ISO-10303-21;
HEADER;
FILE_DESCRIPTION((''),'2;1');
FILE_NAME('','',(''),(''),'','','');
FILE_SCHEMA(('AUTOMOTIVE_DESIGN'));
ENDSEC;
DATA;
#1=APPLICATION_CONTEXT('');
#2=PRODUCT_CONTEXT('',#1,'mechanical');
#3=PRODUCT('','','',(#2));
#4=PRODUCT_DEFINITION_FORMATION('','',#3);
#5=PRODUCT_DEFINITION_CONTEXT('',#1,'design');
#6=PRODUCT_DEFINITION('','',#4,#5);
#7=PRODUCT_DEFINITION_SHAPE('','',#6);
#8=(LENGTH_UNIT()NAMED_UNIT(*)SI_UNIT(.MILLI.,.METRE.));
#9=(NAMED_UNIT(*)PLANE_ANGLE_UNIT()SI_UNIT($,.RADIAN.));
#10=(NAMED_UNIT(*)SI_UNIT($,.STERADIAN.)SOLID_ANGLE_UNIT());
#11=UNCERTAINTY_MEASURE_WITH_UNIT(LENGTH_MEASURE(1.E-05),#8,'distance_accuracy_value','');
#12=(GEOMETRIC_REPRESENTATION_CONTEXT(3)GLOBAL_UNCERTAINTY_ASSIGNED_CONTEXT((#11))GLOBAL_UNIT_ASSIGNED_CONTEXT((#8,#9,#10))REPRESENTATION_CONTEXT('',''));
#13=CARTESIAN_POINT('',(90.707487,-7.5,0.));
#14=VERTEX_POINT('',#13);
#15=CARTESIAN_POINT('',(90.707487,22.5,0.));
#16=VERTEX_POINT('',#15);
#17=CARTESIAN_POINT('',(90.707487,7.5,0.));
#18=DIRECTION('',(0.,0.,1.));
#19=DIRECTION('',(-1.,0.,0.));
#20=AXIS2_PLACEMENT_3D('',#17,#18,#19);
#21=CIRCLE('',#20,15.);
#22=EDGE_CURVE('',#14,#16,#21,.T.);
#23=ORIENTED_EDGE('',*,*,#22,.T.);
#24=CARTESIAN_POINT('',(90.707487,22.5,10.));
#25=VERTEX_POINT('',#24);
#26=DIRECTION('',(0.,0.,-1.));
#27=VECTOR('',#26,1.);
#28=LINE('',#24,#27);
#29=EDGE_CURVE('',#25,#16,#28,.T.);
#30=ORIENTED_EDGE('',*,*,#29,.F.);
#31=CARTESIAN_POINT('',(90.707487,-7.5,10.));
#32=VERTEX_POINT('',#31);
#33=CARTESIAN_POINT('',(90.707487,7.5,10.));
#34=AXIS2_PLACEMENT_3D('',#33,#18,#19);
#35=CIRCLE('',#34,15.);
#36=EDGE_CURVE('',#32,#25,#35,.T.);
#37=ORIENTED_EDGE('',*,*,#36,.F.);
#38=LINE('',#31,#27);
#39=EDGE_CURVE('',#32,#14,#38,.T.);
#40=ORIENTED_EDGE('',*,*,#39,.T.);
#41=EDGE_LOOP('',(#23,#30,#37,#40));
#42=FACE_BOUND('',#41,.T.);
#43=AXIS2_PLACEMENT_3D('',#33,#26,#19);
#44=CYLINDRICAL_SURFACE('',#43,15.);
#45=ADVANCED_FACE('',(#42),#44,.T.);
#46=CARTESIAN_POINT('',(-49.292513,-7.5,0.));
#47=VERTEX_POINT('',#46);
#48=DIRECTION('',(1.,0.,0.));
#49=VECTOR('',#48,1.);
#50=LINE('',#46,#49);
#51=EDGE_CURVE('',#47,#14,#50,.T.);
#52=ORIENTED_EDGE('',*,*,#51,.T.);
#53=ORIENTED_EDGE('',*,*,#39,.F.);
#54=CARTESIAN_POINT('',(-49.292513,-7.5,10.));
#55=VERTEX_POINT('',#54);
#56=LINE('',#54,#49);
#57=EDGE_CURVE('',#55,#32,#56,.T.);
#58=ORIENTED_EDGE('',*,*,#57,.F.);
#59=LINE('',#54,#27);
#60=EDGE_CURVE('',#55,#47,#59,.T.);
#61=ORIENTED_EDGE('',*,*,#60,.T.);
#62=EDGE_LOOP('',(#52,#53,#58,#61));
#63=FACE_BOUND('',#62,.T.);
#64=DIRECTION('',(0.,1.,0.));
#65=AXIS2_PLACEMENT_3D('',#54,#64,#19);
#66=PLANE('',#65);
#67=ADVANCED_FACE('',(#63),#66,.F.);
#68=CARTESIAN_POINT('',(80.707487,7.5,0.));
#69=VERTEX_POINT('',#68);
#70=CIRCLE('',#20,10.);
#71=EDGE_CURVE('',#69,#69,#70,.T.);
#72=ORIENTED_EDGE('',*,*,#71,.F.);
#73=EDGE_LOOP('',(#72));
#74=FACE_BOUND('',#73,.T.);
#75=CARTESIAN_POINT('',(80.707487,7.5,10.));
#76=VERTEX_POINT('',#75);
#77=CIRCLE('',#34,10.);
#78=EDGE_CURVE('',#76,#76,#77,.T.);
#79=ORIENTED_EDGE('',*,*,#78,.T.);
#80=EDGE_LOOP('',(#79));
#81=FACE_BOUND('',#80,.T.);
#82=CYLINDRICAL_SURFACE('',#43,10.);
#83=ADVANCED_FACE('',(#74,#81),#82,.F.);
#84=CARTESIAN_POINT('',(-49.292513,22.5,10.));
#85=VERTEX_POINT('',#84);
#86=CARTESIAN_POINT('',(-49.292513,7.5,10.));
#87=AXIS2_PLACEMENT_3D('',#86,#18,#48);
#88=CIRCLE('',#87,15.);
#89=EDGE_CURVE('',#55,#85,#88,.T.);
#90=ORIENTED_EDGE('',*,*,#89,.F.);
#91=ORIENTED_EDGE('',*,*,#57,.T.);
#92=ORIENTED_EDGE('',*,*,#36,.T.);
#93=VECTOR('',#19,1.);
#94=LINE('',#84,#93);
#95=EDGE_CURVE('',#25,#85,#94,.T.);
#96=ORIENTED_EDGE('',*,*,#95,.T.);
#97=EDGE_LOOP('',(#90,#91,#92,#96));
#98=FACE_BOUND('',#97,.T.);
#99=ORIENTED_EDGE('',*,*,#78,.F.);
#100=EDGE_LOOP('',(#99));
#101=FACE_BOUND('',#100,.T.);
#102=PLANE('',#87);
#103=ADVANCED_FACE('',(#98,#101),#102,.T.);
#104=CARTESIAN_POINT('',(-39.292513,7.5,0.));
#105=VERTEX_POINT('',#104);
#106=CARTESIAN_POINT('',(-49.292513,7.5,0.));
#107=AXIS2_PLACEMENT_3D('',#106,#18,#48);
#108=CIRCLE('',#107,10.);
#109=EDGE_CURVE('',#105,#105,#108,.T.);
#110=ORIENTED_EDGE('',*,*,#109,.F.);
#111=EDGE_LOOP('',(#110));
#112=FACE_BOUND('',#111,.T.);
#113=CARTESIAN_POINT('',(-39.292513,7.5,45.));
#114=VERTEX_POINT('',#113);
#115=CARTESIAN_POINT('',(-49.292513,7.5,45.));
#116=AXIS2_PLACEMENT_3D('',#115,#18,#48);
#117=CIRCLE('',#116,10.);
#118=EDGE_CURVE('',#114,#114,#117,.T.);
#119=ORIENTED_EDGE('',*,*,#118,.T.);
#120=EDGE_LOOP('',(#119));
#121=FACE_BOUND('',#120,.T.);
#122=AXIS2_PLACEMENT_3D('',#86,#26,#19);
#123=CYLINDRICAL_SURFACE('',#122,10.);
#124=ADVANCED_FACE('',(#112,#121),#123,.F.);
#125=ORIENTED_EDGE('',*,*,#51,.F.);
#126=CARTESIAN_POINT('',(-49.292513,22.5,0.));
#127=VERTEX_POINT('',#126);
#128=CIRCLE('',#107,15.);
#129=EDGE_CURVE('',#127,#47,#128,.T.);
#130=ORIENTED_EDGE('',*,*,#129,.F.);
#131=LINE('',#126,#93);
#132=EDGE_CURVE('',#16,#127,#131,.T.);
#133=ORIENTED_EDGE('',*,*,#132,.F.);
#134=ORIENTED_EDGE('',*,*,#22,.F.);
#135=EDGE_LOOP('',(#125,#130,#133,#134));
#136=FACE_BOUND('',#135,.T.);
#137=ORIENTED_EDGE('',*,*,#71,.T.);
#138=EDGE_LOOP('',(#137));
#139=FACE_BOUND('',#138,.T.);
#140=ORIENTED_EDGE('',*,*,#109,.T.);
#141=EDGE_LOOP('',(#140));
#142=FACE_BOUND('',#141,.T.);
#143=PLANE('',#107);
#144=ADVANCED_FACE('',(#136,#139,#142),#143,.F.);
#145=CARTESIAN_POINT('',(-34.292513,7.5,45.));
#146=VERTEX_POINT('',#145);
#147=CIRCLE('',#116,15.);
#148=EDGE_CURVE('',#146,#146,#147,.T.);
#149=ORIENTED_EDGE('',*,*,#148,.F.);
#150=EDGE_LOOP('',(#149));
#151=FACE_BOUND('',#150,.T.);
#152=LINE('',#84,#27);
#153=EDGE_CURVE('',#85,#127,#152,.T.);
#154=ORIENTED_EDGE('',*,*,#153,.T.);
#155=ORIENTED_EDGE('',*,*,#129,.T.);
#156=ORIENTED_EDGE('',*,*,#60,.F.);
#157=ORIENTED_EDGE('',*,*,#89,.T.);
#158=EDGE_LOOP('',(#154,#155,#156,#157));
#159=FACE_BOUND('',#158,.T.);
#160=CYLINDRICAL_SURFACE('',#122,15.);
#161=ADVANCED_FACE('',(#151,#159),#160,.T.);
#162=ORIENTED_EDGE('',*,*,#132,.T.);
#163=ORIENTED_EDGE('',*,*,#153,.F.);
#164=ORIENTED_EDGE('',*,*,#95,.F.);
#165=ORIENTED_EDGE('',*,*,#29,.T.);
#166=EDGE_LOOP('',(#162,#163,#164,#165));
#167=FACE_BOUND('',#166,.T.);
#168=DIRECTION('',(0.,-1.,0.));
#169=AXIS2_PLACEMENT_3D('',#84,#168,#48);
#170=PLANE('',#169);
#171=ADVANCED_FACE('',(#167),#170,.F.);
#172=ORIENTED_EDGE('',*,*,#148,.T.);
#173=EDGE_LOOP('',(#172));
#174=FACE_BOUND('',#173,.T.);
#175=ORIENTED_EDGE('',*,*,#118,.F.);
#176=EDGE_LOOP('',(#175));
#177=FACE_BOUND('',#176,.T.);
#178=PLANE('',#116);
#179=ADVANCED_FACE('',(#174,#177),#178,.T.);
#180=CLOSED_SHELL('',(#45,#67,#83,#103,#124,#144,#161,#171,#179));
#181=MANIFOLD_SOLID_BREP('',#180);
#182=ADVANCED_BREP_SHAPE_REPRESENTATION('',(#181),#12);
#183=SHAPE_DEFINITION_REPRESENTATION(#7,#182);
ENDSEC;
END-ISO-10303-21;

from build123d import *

# Parameters (mm, degrees)
CROQUIS1_R              = 10
SALIENTE_EXTRUIR1_DEPTH = 10
CROQUIS2_R              = 15
CROQUIS2_R_2            = 10
SALIENTE_EXTRUIR2_DEPTH = 35


with BuildPart() as part:
    # Croquis1 → Saliente-Extruir1 (new body)
    with BuildSketch(Plane.XY):
        with BuildLine():
            Line((-49.292513238, 22.5), (90.707486762, 22.5))
            ThreePointArc((90.707486762, 22.5), (105.707486762, 7.5), (90.707486762, -7.5))
            Line((90.707486762, -7.5), (-49.292513238, -7.5))
            ThreePointArc((-49.292513238, -7.5), (-64.292513238, 7.5), (-49.292513238, 22.5))
        make_face()
        with Locations((-49.292513238, 7.5)):
            Circle(CROQUIS1_R, mode=Mode.SUBTRACT)
        with Locations(Location((90.707486762, 7.5, 0), (0, 0, 180))):
            Circle(CROQUIS1_R, mode=Mode.SUBTRACT)
    extrude(amount=SALIENTE_EXTRUIR1_DEPTH)

    # Croquis2 → Saliente-Extruir2 (add)
    with BuildSketch(Plane.XY.offset(10)):
        with Locations(Location((-49.292513238, 7.5, 0), (0, 0, 270))):
            Circle(CROQUIS2_R)
        with Locations((-49.292513238, 7.5)):
            Circle(CROQUIS2_R_2, mode=Mode.SUBTRACT)
    extrude(amount=SALIENTE_EXTRUIR2_DEPTH)


solid = part.part
